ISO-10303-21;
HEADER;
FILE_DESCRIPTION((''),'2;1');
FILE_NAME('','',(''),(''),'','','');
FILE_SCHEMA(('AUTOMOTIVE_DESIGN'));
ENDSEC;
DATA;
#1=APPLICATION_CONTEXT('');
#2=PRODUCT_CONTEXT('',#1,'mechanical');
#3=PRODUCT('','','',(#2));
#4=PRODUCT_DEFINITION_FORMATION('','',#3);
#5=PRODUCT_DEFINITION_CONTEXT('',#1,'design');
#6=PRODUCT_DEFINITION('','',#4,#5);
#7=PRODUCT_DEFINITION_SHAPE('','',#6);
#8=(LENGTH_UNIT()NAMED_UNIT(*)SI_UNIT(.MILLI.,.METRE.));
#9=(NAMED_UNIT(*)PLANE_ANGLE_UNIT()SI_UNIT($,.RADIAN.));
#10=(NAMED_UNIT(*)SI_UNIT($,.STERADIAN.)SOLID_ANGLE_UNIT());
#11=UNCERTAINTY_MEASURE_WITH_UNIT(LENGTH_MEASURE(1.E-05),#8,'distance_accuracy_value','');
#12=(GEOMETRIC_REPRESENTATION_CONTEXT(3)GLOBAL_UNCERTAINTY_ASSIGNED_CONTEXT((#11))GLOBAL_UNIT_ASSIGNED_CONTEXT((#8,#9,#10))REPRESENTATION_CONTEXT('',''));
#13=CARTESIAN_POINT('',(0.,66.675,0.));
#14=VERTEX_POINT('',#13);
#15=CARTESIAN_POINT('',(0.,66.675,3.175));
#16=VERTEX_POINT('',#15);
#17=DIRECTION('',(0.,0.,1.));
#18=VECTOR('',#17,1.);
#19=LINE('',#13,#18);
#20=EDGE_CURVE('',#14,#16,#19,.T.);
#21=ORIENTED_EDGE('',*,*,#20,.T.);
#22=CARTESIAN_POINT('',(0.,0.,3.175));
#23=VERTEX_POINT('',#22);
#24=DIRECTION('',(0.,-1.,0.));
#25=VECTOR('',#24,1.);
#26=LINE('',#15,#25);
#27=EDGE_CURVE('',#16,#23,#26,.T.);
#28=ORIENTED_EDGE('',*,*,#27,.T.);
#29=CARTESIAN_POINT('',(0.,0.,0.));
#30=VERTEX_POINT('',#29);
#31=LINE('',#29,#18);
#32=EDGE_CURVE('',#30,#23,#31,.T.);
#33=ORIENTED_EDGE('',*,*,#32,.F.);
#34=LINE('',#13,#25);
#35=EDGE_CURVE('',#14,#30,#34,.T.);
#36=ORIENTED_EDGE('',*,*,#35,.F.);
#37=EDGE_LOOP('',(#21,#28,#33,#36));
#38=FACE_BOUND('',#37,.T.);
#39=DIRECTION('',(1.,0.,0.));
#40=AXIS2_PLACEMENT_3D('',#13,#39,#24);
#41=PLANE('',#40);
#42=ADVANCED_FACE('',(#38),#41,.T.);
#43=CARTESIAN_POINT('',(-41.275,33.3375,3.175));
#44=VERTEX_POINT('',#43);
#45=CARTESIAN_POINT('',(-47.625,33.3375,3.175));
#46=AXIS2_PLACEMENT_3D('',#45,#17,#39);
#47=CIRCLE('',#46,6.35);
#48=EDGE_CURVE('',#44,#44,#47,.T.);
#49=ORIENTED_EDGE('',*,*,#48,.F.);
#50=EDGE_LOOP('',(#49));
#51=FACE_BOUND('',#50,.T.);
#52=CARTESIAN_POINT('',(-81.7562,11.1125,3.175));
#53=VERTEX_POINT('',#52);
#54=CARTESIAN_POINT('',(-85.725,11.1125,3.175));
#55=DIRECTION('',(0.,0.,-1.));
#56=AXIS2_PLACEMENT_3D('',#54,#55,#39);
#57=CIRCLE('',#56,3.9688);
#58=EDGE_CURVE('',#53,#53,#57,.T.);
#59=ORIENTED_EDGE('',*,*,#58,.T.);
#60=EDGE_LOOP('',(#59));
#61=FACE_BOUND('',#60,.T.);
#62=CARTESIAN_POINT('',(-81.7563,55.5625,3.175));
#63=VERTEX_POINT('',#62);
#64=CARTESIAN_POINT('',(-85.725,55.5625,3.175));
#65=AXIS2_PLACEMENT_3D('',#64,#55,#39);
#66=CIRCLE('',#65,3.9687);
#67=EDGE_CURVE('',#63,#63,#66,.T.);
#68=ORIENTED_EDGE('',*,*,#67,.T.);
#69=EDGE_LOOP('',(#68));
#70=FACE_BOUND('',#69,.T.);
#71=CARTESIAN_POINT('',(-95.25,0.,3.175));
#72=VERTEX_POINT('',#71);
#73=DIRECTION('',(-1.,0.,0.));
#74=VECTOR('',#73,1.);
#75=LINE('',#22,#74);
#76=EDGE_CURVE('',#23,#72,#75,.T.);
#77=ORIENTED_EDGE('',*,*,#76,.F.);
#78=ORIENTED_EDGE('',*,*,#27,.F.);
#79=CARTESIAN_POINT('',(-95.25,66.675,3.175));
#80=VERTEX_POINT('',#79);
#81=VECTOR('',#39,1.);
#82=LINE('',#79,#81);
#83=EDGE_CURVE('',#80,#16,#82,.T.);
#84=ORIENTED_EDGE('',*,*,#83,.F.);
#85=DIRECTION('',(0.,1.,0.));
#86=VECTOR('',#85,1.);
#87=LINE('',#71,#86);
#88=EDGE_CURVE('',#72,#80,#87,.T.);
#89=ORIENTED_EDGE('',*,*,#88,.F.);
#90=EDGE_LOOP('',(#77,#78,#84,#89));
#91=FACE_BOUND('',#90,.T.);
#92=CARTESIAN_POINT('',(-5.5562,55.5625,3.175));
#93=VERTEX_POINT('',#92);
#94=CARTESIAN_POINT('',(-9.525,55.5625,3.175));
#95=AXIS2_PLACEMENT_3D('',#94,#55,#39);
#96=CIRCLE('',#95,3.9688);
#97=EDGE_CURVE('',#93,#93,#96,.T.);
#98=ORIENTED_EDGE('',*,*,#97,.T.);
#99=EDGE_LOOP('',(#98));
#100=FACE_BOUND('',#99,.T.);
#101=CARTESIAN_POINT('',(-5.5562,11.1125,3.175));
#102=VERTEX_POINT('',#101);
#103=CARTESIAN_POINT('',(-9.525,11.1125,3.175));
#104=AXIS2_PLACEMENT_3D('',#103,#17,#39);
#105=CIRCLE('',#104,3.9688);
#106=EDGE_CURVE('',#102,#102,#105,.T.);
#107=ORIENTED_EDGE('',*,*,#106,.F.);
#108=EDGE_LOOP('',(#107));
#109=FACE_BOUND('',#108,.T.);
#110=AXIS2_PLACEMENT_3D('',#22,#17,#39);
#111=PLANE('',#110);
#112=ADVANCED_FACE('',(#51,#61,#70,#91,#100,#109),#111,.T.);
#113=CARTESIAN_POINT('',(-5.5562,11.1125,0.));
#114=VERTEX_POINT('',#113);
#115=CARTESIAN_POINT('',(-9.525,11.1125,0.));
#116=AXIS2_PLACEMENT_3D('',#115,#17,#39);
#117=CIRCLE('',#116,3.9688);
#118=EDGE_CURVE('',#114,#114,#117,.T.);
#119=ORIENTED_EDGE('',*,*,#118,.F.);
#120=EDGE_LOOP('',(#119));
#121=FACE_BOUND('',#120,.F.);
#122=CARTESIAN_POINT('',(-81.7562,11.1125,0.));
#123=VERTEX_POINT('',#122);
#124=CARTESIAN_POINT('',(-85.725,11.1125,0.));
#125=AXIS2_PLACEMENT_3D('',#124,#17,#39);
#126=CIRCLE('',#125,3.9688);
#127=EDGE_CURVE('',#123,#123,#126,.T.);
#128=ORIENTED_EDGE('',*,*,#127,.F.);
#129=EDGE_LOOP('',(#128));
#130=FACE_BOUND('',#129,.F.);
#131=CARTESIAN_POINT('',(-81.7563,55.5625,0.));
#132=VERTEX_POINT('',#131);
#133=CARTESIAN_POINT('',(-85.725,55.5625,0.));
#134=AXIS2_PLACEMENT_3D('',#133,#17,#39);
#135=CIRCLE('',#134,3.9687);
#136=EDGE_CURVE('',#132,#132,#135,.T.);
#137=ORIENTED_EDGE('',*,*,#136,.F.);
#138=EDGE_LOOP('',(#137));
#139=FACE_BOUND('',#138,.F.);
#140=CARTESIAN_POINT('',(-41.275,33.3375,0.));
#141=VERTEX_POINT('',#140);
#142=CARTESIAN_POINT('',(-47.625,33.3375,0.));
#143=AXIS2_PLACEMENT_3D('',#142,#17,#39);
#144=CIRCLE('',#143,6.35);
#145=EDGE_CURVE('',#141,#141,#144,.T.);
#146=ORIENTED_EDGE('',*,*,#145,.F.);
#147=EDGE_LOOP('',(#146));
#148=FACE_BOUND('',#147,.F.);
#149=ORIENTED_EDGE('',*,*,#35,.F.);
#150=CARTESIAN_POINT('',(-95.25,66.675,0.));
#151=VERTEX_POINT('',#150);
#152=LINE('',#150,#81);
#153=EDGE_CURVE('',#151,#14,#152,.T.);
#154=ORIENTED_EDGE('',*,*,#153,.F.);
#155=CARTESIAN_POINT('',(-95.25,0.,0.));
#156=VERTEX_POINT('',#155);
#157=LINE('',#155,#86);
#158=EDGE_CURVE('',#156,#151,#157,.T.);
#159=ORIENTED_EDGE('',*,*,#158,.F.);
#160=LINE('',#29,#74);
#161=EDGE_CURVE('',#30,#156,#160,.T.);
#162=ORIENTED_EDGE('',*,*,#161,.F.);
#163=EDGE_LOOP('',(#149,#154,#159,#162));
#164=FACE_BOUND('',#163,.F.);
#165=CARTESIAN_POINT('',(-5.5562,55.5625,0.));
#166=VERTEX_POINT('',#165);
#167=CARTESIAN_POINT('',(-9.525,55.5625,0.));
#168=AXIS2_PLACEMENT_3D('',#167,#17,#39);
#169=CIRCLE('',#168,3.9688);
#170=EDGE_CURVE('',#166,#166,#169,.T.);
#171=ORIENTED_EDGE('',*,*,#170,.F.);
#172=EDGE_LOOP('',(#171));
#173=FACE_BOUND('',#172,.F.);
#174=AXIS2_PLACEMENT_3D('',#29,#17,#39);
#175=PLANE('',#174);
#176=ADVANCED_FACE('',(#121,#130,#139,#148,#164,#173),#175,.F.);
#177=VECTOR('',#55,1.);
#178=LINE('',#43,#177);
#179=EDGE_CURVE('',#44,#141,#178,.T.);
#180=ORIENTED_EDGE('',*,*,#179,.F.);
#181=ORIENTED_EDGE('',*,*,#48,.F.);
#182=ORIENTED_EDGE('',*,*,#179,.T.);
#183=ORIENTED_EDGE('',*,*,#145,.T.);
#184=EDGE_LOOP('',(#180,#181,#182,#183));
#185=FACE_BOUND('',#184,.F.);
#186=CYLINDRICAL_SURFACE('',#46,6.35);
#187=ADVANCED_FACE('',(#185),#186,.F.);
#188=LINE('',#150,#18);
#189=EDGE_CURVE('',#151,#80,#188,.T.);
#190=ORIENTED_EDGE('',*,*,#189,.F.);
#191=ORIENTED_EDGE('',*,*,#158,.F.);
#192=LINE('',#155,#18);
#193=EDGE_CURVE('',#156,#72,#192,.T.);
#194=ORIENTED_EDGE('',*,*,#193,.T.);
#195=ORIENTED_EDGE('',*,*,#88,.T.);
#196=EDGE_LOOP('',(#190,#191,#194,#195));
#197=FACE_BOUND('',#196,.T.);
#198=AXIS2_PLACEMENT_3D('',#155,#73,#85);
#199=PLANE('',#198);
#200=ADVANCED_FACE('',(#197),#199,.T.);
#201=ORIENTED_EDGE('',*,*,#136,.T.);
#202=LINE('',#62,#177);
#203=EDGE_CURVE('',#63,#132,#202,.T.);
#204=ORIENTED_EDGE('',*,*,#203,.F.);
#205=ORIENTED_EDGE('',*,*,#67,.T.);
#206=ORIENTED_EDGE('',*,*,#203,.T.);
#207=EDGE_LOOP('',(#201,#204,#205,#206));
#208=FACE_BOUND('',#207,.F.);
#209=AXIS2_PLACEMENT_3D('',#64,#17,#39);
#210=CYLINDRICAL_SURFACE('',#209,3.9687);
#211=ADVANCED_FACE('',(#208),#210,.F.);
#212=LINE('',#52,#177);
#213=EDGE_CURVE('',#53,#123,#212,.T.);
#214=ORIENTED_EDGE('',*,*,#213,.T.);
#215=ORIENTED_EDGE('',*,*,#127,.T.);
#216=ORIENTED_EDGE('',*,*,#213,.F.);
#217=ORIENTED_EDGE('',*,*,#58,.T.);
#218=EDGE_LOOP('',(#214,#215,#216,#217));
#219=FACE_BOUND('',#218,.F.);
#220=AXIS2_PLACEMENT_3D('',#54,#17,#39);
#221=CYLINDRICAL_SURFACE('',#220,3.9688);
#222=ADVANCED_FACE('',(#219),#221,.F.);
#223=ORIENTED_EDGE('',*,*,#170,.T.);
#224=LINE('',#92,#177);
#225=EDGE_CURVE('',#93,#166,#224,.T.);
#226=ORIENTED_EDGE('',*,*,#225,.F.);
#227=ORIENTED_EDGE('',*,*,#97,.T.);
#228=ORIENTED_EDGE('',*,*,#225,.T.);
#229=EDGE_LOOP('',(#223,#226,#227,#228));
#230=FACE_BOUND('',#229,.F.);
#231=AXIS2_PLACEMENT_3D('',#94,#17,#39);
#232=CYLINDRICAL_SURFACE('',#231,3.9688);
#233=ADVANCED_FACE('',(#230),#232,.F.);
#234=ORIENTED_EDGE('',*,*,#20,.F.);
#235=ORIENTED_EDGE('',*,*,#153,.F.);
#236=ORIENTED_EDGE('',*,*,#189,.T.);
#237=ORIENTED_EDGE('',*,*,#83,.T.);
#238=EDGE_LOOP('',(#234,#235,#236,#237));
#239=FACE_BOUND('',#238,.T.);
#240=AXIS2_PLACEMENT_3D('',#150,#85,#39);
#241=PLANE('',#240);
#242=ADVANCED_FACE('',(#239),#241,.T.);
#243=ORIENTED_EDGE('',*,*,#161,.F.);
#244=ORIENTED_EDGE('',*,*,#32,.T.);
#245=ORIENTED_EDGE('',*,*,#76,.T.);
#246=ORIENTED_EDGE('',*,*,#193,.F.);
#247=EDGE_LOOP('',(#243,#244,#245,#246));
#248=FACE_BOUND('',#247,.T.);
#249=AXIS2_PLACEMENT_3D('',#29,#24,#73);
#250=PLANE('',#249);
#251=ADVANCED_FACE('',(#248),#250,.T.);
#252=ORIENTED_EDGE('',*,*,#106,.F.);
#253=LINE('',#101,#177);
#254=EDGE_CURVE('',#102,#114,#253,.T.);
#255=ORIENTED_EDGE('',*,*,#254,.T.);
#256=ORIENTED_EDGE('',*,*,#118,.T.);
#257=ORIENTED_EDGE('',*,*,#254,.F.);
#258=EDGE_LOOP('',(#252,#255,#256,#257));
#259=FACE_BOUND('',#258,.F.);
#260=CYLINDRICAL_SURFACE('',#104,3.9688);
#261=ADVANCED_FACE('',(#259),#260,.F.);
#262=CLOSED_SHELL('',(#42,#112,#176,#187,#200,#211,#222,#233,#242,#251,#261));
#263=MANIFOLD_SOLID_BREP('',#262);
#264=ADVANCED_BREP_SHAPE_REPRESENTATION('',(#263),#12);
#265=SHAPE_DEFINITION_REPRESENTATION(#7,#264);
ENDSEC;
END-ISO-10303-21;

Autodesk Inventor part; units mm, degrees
ref_plane "YZ Plane" through (0, 0, 0) normal (1, 0, 0) x (0, 1, 0)
ref_plane "XZ Plane" through (0, 0, 0) normal (0, 1, 0) x (-1, 0, 0)
ref_plane "XY Plane" through (0, 0, 0) normal (0, 0, 1) x (1, 0, 0)
sketch "Sketch1" plane through (0, 0, 0) normal (0, 0, 1) x (1, 0, 0)
  line L0 (0, 0) -> (-95.25, 0)
  line L1 (-95.25, 0) -> (-95.25, 66.675)
  line L2 (-95.25, 66.675) -> (0, 66.675)
  line L3 (0, 66.675) -> (0, 0)
  dimension "d0" = 66.675
  dimension "d1" = 95.25
extrude "Extrusion1" add sketch "Sketch1" along normal blind 3.175
sketch "Sketch2" plane through (0, 0, 3.175) normal (0, 0, 1) x (1, 0, 0)
  line L0 (-95.25, 0) -> (-95.25, 66.675) projected
  line L1 (0, 66.675) -> (0, 0) projected
  line L2 (-95.25, 66.675) -> (0, 66.675) projected
  line L3 (-95.25, 33.3375) -> (-95.25, 55.5625)
  line L4 (-47.625, 66.675) -> (-85.725, 66.675)
  line L5 (-85.725, 66.675) -> (-85.725, 55.5625)
  line L6 (-95.25, 33.3375) -> (-95.25, 11.1125)
  line L7 (-95.25, 11.1125) -> (-85.725, 11.1125)
  line L8 (-47.625, 66.675) -> (-9.525, 66.675)
  line L9 (-9.525, 66.675) -> (-9.525, 55.5625)
  line L10 (0, 11.1125) -> (-9.525, 11.1125)
  circle A0 centre (-85.725, 55.5625) radius 3.9687
  circle A1 centre (-9.525, 55.5625) radius 3.9688
  circle A2 centre (-85.725, 11.1125) radius 3.9688
  circle A3 centre (-9.525, 11.1125) radius 3.9688
  dimension "d4" = 22.225
  dimension "d5" = 38.1
  dimension "d6" = 22.225
  dimension "d7" = 38.1
  dimension "d8" = 7.9375
  dimension "d9" = 7.9375
  dimension "d10" = 7.9375
  dimension "d11" = 7.9375
extrude "Extrusion2" cut sketch "Sketch2" against normal blind 3.175
sketch "Sketch3" plane through (0, 0, 3.175) normal (0, 0, 1) x (1, 0, 0)
  circle A0 centre (-47.625, 33.3375) radius 6.35
  dimension "d14" = 12.7
extrude "Extrusion3" cut sketch "Sketch3" against normal blind 3.175
properties part number "mount plate"
